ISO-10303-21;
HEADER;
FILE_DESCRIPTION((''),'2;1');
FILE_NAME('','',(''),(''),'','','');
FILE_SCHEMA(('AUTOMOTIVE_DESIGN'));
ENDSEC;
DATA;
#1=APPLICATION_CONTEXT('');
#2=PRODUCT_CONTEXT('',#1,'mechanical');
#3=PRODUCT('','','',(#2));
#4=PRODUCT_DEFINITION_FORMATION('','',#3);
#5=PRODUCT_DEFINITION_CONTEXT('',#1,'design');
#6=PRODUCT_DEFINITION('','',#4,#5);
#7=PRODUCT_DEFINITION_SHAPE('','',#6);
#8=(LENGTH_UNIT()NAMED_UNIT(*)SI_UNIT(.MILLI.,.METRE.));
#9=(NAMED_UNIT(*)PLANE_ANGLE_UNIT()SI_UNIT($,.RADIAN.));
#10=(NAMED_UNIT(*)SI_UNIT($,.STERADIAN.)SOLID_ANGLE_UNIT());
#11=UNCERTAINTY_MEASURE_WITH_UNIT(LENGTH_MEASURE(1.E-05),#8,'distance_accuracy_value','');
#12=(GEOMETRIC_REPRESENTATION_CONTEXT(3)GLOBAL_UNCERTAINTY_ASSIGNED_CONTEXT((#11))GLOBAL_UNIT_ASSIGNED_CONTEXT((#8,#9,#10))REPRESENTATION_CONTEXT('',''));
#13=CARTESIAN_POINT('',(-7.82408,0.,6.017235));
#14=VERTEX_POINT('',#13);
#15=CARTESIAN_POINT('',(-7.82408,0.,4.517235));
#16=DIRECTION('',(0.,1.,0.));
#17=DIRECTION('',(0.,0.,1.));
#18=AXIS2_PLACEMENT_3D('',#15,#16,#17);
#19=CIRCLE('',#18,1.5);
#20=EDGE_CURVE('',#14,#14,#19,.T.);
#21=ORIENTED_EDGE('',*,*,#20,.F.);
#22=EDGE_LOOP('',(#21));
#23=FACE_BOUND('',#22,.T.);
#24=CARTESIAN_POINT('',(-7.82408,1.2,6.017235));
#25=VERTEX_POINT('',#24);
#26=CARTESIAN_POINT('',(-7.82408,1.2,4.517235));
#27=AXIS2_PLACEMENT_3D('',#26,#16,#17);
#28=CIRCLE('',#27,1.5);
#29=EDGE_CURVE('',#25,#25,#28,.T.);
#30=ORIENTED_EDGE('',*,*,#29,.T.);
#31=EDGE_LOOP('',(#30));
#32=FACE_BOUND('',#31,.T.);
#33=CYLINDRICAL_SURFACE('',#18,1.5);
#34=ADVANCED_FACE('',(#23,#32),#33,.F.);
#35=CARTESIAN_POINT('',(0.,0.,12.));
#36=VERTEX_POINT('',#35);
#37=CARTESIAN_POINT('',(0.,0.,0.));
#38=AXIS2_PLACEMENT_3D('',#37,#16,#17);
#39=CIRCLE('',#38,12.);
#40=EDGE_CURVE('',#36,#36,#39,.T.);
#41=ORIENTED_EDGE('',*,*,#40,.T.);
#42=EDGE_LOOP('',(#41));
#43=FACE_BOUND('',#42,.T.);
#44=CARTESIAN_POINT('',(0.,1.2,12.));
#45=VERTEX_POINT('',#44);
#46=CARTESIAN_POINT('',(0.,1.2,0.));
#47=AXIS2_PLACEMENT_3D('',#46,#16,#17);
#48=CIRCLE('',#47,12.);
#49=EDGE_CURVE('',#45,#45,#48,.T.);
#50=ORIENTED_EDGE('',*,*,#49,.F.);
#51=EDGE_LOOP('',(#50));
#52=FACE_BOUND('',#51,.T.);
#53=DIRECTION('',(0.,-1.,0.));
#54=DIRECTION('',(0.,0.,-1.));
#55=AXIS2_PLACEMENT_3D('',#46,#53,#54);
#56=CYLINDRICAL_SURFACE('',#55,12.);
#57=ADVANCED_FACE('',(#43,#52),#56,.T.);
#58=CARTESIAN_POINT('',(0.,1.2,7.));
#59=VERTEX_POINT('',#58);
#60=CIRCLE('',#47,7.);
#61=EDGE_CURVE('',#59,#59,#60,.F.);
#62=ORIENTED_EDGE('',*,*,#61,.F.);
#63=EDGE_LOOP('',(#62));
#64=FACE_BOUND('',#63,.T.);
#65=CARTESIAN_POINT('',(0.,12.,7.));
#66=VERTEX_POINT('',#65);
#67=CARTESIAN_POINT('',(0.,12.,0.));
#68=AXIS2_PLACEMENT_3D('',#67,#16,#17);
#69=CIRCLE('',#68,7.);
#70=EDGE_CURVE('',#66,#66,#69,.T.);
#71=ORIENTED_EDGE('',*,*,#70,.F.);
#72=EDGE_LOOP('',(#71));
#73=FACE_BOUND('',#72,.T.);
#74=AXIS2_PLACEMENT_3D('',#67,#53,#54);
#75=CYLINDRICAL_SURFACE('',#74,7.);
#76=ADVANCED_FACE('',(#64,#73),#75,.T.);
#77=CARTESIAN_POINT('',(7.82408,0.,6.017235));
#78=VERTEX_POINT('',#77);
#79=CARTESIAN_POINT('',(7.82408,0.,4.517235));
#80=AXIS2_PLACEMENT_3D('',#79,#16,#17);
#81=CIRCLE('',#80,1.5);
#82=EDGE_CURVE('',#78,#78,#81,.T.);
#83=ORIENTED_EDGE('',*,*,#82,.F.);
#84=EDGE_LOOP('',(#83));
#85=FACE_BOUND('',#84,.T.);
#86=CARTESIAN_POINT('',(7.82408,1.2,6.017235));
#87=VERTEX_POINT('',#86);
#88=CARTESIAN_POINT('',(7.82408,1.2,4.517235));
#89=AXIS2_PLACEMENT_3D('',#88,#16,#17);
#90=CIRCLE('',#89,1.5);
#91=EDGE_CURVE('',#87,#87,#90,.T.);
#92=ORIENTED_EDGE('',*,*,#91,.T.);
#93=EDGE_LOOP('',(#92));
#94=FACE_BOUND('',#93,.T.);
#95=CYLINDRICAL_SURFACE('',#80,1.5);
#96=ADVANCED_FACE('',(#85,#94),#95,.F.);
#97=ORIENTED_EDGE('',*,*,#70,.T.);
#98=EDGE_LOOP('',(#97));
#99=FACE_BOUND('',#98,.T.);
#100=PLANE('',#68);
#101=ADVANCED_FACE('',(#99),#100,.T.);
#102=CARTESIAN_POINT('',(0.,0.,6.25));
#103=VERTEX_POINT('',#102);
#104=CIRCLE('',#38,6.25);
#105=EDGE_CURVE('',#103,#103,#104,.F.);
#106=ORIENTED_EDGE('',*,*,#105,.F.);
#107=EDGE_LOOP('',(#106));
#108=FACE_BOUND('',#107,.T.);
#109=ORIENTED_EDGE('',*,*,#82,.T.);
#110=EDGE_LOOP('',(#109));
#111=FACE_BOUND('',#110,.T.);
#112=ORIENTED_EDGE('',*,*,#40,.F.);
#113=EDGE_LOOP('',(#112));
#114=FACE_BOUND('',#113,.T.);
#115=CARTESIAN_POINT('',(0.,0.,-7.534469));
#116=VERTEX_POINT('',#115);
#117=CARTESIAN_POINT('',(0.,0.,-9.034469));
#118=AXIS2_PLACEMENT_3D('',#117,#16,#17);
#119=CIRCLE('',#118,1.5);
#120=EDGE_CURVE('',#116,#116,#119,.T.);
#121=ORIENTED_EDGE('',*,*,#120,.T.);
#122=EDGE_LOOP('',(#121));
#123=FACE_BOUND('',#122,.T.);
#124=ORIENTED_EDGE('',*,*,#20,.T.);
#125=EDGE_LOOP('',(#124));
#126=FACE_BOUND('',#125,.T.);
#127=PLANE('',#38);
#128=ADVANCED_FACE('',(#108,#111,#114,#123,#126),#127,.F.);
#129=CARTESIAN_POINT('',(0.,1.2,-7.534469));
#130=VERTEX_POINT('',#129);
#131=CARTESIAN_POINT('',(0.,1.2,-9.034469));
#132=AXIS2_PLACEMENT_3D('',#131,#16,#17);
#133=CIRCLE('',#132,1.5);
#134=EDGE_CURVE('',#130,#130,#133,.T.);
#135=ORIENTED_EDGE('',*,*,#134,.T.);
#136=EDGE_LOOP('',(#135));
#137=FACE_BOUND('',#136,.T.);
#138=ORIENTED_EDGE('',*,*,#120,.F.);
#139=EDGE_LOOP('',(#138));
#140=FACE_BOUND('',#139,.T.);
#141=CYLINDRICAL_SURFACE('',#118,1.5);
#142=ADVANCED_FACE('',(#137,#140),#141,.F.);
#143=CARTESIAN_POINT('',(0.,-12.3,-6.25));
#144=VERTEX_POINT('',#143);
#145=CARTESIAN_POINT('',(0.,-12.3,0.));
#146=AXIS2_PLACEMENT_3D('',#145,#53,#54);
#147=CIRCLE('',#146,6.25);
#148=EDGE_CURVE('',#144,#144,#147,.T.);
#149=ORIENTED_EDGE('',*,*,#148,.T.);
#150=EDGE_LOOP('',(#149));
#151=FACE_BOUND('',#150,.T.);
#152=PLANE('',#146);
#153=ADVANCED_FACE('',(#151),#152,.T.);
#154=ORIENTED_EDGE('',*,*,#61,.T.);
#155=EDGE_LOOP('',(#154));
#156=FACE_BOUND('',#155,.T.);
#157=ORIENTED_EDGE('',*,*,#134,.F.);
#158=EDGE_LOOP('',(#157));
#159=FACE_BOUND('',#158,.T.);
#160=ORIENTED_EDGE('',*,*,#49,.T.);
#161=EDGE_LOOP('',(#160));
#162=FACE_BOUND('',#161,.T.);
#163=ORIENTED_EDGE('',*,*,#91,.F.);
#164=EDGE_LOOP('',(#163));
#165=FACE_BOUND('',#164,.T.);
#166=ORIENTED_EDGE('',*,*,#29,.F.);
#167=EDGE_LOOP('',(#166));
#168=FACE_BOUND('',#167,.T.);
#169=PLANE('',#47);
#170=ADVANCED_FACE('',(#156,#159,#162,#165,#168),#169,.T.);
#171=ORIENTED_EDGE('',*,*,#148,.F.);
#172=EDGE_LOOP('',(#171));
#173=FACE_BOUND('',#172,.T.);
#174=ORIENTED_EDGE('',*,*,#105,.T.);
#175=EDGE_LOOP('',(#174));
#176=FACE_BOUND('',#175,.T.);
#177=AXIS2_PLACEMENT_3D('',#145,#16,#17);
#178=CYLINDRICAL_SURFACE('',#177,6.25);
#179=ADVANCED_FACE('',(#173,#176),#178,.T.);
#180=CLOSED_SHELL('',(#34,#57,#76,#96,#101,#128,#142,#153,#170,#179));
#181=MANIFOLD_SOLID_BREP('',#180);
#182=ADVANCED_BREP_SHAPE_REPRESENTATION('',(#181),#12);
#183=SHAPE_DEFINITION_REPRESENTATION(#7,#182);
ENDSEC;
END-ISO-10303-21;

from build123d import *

# Parameters (mm, degrees)
SKETCH1_R           = 12
SKETCH1_R_2         = 2.5
BOSS_EXTRUDE1_DEPTH = 1.2
SKETCH2_R           = 1.5
CUT_EXTRUDE1_DEPTH  = 1.2
SKETCH3_R           = 6.25
BOSS_EXTRUDE2_DEPTH = 12.3
SKETCH4_R           = 7
BOSS_EXTRUDE3_DEPTH = 12


with BuildPart() as part:
    # Sketch1 → Boss-Extrude1 (new body)
    with BuildSketch(Plane(origin=(0, 0, 0), x_dir=(1, 0, 0), z_dir=(0, 1, 0))):
        with Locations(Location((0, 0, 0), (0, 0, 270))):
            Circle(SKETCH1_R)
        with Locations(Location((0, 0, 0), (0, 0, 270))):
            Circle(SKETCH1_R_2, mode=Mode.SUBTRACT)
    extrude(amount=BOSS_EXTRUDE1_DEPTH)

    # Sketch2 → Cut-Extrude1 (cut)
    with BuildSketch(Plane(origin=(0, 1.2, 0), x_dir=(1, 0, 0), z_dir=(0, 1, 0))):
        with Locations(Location((0, 9.034469011, 0), (0, 0, 270))):
            Circle(SKETCH2_R)
        with Locations(Location((7.824079673, -4.517234506, 0), (0, 0, 270))):
            Circle(SKETCH2_R)
        with Locations(Location((-7.824079673, -4.517234506, 0), (0, 0, 270))):
            Circle(SKETCH2_R)
    extrude(amount=-CUT_EXTRUDE1_DEPTH, mode=Mode.SUBTRACT)

    # Sketch3 → Boss-Extrude2 (add)
    with BuildSketch(Plane(origin=(0, 0, 0), x_dir=(-1, 0, 0), z_dir=(0, -1, 0))):
        with Locations(Location((0, 0, 0), (0, 0, 270))):
            Circle(SKETCH3_R)
    extrude(amount=BOSS_EXTRUDE2_DEPTH)

    # Sketch4 → Boss-Extrude3 (add)
    with BuildSketch(Plane(origin=(0, 0, 0), x_dir=(1, 0, 0), z_dir=(0, 1, 0))):
        with Locations(Location((0, 0, 0), (0, 0, 270))):
            Circle(SKETCH4_R)
    extrude(amount=BOSS_EXTRUDE3_DEPTH)


solid = part.part
